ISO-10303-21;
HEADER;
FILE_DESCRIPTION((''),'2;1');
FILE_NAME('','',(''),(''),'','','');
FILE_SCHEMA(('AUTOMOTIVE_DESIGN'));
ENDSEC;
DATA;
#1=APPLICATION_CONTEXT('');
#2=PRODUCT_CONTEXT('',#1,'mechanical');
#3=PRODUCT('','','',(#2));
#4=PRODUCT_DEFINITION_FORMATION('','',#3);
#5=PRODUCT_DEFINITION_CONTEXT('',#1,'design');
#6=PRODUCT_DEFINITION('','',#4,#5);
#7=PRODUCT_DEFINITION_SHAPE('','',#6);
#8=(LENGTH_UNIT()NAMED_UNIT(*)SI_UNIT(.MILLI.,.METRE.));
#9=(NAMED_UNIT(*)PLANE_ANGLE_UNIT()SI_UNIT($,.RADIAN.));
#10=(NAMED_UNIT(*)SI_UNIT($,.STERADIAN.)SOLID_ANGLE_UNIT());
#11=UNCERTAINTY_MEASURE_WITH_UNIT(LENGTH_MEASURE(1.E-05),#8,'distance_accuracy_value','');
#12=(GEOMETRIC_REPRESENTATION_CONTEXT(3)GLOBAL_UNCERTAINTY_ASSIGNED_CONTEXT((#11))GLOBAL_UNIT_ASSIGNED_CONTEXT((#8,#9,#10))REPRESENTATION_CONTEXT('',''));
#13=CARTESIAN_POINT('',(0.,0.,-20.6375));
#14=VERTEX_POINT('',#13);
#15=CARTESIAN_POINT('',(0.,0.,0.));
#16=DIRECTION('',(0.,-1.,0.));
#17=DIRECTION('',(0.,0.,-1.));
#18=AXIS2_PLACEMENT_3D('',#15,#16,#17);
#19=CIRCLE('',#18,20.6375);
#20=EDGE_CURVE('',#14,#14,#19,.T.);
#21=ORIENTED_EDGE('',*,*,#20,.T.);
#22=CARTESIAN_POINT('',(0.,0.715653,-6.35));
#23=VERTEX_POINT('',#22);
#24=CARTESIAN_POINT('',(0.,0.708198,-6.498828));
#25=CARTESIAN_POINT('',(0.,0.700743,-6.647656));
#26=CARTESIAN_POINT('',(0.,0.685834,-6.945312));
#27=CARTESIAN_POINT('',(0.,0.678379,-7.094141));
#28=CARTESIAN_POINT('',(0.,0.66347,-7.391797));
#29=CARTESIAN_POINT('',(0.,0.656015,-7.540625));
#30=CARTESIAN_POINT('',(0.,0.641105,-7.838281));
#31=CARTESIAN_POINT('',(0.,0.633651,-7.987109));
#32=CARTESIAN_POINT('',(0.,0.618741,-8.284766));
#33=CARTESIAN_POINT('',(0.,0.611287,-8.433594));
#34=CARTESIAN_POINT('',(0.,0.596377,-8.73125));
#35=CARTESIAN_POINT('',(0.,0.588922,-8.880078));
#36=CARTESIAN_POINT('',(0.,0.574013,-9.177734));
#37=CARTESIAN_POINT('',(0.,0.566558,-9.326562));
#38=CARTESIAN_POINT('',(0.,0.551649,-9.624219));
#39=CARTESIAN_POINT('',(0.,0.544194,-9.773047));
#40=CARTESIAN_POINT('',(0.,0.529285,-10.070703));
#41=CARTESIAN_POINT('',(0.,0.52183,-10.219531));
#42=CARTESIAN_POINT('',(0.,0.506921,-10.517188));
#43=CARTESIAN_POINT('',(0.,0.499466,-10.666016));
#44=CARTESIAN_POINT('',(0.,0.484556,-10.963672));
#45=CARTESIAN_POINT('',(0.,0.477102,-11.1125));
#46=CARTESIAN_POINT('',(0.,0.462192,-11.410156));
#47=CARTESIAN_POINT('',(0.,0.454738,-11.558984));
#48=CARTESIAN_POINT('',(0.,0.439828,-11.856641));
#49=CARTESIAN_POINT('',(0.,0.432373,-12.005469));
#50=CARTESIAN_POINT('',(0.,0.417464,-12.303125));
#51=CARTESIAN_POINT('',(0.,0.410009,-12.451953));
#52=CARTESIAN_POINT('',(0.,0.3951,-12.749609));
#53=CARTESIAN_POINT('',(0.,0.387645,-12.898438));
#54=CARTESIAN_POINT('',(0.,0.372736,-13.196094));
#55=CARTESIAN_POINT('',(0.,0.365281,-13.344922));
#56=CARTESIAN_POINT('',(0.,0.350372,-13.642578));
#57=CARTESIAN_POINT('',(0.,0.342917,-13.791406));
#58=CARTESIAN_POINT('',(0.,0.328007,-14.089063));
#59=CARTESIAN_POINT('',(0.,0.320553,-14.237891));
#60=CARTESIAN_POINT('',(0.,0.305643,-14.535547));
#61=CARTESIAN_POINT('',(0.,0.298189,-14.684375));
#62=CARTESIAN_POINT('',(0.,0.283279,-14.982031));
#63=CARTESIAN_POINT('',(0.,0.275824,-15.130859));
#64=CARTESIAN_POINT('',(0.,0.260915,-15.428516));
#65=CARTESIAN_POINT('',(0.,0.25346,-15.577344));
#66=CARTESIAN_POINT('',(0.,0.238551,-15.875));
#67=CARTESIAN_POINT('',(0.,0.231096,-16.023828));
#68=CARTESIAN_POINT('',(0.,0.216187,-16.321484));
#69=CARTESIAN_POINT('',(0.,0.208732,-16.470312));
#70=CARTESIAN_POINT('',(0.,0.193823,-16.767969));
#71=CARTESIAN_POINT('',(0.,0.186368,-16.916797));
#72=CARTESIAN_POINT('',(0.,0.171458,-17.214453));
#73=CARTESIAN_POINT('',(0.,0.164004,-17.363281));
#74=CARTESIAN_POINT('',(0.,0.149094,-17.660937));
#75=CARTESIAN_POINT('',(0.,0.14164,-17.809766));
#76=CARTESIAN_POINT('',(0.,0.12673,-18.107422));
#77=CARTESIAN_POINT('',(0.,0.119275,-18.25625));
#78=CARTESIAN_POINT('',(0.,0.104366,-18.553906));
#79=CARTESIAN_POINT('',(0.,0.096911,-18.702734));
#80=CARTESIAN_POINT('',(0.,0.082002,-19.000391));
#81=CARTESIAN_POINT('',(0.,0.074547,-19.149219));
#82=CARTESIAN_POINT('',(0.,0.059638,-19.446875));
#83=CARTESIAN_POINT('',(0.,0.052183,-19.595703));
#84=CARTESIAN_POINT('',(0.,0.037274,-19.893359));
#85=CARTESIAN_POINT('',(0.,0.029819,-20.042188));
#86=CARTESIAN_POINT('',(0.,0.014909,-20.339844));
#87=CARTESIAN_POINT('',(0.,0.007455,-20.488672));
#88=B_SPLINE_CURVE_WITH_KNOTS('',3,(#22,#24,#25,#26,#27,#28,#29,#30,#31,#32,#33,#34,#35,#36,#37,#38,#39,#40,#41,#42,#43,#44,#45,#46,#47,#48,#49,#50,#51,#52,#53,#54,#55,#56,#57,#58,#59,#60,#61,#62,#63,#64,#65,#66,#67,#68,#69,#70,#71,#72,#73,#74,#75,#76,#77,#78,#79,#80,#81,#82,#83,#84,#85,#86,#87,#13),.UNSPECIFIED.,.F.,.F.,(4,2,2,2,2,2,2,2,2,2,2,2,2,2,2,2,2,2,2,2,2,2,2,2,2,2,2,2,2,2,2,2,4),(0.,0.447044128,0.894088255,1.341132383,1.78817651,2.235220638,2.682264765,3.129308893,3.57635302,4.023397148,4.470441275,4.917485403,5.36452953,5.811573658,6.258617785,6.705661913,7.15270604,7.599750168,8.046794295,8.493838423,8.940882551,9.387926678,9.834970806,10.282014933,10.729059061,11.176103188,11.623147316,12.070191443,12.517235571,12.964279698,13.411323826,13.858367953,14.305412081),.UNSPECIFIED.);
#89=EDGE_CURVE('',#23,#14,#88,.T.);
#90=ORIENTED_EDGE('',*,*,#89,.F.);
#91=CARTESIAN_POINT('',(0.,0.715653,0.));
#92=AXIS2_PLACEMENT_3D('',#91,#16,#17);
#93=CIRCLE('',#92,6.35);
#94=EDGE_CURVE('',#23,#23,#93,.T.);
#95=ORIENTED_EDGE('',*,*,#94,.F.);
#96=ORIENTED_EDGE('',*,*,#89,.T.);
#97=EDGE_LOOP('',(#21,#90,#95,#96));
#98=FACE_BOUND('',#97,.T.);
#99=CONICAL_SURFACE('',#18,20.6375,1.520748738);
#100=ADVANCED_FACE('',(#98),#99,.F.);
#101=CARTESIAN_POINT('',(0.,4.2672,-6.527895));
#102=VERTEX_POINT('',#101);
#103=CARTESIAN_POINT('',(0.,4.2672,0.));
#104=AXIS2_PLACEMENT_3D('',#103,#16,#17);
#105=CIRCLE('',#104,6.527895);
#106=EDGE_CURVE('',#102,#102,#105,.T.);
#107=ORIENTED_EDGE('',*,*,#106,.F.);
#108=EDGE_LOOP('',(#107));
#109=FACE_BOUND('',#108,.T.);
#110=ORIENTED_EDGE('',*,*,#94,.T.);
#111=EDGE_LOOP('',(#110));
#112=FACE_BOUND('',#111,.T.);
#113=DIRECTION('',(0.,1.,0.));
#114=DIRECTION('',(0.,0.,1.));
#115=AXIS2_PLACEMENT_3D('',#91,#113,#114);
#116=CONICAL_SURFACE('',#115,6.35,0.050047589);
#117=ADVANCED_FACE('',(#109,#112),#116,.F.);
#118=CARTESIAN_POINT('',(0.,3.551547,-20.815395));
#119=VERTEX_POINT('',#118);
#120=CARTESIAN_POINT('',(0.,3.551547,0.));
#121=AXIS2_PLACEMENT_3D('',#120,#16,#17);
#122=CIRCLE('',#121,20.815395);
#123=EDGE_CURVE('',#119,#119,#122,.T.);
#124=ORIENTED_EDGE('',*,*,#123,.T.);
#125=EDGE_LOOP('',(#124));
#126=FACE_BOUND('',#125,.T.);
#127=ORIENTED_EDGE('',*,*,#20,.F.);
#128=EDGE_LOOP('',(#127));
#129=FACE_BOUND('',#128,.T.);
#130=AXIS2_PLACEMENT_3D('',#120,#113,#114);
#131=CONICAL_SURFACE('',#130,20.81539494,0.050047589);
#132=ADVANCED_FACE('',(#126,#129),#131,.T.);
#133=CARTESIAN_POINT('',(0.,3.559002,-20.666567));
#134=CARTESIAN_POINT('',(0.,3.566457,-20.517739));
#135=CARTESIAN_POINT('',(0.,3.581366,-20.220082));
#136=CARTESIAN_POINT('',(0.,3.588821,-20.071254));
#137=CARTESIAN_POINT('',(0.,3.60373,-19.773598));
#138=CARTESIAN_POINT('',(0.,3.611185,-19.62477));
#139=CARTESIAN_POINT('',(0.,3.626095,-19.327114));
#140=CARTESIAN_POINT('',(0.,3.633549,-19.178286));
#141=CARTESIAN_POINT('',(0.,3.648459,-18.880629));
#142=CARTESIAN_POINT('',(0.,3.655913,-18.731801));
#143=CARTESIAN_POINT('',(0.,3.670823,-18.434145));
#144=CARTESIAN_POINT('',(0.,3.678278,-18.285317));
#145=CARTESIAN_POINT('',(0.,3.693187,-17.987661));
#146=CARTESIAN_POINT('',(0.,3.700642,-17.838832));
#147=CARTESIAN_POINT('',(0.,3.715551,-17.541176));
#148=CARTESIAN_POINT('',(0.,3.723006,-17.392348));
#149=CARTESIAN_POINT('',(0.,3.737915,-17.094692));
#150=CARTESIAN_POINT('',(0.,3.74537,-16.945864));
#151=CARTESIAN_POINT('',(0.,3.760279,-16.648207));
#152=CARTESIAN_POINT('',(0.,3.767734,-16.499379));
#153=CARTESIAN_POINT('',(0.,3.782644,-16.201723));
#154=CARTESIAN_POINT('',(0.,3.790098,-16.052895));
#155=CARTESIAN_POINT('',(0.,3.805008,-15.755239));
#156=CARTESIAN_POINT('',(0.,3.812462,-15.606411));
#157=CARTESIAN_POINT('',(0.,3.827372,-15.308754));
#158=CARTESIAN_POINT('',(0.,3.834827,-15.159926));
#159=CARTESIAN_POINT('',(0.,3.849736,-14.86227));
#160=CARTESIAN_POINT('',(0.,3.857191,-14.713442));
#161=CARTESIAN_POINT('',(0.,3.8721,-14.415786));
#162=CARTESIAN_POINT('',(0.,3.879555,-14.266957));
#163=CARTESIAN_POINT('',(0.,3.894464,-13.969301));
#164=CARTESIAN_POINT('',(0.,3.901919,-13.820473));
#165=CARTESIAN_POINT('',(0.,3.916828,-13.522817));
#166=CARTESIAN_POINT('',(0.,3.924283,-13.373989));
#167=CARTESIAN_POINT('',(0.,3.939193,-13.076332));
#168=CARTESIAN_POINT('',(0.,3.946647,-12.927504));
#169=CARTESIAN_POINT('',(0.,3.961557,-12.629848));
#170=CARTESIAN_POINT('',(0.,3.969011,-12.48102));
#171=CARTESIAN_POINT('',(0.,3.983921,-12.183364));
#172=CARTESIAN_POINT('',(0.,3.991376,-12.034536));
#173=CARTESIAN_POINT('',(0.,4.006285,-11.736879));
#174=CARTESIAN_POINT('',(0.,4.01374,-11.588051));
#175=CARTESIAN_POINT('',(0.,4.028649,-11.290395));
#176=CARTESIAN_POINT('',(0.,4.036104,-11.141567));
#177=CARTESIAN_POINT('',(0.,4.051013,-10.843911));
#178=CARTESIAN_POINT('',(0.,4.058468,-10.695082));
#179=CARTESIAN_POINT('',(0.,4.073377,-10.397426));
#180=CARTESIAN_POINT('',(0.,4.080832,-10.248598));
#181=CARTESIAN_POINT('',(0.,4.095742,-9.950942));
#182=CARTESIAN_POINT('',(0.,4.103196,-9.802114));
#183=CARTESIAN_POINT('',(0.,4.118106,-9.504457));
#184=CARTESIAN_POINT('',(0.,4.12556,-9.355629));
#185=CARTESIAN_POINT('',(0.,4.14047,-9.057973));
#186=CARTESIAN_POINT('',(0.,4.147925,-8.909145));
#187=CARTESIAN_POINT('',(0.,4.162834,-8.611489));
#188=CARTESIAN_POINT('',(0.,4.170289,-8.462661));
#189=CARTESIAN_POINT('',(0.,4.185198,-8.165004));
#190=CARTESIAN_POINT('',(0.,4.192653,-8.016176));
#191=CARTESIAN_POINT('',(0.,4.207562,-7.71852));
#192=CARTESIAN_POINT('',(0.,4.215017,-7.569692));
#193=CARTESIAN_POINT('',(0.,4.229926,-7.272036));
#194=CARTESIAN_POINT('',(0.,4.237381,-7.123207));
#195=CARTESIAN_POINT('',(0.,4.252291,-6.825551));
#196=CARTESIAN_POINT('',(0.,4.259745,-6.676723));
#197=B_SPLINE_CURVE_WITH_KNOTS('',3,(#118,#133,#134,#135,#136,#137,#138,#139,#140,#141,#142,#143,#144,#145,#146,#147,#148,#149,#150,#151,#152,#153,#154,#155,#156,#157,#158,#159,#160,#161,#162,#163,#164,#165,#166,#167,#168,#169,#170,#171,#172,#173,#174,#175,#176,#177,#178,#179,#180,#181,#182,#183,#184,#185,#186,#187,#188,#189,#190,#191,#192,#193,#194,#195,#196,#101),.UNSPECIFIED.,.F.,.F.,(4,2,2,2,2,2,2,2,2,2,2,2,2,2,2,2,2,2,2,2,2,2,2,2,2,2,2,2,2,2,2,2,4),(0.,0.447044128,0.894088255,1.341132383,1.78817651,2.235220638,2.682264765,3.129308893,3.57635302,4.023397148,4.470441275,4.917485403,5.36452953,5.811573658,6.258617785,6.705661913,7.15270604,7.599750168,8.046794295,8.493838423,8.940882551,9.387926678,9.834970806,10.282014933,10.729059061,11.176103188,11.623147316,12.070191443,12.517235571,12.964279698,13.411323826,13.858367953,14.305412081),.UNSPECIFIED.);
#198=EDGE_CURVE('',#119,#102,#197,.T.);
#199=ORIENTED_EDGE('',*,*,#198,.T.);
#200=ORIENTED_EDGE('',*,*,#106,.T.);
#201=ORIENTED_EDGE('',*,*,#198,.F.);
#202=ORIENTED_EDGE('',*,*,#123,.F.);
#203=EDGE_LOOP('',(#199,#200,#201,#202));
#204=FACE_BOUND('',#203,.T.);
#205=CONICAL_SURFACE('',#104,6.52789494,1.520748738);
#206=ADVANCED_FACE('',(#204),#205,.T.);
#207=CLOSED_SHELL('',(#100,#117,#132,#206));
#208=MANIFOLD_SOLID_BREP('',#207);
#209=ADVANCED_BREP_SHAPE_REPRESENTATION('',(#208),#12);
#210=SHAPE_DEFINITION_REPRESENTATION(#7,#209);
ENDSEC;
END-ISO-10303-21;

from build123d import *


with BuildPart() as part:
    # Sketch1 → Revolve1 (revolve)
    with BuildSketch(Plane(origin=(0, 0, 0), x_dir=(0, 0, -1), z_dir=(1, 0, 0)), mode=Mode.PRIVATE) as revolve1_sk:
        Polygon((-20.6375, 0), (-6.35, 0.715652536), (-6.52789494, 4.2672), (-20.81539494, 3.551547464), align=None)
    revolve(revolve1_sk.sketch.rotate(Axis((0, 0, 0), (0, 1, 0)), 180), axis=Axis((0, 0, 0), (0, 1, 0)))


solid = part.part
